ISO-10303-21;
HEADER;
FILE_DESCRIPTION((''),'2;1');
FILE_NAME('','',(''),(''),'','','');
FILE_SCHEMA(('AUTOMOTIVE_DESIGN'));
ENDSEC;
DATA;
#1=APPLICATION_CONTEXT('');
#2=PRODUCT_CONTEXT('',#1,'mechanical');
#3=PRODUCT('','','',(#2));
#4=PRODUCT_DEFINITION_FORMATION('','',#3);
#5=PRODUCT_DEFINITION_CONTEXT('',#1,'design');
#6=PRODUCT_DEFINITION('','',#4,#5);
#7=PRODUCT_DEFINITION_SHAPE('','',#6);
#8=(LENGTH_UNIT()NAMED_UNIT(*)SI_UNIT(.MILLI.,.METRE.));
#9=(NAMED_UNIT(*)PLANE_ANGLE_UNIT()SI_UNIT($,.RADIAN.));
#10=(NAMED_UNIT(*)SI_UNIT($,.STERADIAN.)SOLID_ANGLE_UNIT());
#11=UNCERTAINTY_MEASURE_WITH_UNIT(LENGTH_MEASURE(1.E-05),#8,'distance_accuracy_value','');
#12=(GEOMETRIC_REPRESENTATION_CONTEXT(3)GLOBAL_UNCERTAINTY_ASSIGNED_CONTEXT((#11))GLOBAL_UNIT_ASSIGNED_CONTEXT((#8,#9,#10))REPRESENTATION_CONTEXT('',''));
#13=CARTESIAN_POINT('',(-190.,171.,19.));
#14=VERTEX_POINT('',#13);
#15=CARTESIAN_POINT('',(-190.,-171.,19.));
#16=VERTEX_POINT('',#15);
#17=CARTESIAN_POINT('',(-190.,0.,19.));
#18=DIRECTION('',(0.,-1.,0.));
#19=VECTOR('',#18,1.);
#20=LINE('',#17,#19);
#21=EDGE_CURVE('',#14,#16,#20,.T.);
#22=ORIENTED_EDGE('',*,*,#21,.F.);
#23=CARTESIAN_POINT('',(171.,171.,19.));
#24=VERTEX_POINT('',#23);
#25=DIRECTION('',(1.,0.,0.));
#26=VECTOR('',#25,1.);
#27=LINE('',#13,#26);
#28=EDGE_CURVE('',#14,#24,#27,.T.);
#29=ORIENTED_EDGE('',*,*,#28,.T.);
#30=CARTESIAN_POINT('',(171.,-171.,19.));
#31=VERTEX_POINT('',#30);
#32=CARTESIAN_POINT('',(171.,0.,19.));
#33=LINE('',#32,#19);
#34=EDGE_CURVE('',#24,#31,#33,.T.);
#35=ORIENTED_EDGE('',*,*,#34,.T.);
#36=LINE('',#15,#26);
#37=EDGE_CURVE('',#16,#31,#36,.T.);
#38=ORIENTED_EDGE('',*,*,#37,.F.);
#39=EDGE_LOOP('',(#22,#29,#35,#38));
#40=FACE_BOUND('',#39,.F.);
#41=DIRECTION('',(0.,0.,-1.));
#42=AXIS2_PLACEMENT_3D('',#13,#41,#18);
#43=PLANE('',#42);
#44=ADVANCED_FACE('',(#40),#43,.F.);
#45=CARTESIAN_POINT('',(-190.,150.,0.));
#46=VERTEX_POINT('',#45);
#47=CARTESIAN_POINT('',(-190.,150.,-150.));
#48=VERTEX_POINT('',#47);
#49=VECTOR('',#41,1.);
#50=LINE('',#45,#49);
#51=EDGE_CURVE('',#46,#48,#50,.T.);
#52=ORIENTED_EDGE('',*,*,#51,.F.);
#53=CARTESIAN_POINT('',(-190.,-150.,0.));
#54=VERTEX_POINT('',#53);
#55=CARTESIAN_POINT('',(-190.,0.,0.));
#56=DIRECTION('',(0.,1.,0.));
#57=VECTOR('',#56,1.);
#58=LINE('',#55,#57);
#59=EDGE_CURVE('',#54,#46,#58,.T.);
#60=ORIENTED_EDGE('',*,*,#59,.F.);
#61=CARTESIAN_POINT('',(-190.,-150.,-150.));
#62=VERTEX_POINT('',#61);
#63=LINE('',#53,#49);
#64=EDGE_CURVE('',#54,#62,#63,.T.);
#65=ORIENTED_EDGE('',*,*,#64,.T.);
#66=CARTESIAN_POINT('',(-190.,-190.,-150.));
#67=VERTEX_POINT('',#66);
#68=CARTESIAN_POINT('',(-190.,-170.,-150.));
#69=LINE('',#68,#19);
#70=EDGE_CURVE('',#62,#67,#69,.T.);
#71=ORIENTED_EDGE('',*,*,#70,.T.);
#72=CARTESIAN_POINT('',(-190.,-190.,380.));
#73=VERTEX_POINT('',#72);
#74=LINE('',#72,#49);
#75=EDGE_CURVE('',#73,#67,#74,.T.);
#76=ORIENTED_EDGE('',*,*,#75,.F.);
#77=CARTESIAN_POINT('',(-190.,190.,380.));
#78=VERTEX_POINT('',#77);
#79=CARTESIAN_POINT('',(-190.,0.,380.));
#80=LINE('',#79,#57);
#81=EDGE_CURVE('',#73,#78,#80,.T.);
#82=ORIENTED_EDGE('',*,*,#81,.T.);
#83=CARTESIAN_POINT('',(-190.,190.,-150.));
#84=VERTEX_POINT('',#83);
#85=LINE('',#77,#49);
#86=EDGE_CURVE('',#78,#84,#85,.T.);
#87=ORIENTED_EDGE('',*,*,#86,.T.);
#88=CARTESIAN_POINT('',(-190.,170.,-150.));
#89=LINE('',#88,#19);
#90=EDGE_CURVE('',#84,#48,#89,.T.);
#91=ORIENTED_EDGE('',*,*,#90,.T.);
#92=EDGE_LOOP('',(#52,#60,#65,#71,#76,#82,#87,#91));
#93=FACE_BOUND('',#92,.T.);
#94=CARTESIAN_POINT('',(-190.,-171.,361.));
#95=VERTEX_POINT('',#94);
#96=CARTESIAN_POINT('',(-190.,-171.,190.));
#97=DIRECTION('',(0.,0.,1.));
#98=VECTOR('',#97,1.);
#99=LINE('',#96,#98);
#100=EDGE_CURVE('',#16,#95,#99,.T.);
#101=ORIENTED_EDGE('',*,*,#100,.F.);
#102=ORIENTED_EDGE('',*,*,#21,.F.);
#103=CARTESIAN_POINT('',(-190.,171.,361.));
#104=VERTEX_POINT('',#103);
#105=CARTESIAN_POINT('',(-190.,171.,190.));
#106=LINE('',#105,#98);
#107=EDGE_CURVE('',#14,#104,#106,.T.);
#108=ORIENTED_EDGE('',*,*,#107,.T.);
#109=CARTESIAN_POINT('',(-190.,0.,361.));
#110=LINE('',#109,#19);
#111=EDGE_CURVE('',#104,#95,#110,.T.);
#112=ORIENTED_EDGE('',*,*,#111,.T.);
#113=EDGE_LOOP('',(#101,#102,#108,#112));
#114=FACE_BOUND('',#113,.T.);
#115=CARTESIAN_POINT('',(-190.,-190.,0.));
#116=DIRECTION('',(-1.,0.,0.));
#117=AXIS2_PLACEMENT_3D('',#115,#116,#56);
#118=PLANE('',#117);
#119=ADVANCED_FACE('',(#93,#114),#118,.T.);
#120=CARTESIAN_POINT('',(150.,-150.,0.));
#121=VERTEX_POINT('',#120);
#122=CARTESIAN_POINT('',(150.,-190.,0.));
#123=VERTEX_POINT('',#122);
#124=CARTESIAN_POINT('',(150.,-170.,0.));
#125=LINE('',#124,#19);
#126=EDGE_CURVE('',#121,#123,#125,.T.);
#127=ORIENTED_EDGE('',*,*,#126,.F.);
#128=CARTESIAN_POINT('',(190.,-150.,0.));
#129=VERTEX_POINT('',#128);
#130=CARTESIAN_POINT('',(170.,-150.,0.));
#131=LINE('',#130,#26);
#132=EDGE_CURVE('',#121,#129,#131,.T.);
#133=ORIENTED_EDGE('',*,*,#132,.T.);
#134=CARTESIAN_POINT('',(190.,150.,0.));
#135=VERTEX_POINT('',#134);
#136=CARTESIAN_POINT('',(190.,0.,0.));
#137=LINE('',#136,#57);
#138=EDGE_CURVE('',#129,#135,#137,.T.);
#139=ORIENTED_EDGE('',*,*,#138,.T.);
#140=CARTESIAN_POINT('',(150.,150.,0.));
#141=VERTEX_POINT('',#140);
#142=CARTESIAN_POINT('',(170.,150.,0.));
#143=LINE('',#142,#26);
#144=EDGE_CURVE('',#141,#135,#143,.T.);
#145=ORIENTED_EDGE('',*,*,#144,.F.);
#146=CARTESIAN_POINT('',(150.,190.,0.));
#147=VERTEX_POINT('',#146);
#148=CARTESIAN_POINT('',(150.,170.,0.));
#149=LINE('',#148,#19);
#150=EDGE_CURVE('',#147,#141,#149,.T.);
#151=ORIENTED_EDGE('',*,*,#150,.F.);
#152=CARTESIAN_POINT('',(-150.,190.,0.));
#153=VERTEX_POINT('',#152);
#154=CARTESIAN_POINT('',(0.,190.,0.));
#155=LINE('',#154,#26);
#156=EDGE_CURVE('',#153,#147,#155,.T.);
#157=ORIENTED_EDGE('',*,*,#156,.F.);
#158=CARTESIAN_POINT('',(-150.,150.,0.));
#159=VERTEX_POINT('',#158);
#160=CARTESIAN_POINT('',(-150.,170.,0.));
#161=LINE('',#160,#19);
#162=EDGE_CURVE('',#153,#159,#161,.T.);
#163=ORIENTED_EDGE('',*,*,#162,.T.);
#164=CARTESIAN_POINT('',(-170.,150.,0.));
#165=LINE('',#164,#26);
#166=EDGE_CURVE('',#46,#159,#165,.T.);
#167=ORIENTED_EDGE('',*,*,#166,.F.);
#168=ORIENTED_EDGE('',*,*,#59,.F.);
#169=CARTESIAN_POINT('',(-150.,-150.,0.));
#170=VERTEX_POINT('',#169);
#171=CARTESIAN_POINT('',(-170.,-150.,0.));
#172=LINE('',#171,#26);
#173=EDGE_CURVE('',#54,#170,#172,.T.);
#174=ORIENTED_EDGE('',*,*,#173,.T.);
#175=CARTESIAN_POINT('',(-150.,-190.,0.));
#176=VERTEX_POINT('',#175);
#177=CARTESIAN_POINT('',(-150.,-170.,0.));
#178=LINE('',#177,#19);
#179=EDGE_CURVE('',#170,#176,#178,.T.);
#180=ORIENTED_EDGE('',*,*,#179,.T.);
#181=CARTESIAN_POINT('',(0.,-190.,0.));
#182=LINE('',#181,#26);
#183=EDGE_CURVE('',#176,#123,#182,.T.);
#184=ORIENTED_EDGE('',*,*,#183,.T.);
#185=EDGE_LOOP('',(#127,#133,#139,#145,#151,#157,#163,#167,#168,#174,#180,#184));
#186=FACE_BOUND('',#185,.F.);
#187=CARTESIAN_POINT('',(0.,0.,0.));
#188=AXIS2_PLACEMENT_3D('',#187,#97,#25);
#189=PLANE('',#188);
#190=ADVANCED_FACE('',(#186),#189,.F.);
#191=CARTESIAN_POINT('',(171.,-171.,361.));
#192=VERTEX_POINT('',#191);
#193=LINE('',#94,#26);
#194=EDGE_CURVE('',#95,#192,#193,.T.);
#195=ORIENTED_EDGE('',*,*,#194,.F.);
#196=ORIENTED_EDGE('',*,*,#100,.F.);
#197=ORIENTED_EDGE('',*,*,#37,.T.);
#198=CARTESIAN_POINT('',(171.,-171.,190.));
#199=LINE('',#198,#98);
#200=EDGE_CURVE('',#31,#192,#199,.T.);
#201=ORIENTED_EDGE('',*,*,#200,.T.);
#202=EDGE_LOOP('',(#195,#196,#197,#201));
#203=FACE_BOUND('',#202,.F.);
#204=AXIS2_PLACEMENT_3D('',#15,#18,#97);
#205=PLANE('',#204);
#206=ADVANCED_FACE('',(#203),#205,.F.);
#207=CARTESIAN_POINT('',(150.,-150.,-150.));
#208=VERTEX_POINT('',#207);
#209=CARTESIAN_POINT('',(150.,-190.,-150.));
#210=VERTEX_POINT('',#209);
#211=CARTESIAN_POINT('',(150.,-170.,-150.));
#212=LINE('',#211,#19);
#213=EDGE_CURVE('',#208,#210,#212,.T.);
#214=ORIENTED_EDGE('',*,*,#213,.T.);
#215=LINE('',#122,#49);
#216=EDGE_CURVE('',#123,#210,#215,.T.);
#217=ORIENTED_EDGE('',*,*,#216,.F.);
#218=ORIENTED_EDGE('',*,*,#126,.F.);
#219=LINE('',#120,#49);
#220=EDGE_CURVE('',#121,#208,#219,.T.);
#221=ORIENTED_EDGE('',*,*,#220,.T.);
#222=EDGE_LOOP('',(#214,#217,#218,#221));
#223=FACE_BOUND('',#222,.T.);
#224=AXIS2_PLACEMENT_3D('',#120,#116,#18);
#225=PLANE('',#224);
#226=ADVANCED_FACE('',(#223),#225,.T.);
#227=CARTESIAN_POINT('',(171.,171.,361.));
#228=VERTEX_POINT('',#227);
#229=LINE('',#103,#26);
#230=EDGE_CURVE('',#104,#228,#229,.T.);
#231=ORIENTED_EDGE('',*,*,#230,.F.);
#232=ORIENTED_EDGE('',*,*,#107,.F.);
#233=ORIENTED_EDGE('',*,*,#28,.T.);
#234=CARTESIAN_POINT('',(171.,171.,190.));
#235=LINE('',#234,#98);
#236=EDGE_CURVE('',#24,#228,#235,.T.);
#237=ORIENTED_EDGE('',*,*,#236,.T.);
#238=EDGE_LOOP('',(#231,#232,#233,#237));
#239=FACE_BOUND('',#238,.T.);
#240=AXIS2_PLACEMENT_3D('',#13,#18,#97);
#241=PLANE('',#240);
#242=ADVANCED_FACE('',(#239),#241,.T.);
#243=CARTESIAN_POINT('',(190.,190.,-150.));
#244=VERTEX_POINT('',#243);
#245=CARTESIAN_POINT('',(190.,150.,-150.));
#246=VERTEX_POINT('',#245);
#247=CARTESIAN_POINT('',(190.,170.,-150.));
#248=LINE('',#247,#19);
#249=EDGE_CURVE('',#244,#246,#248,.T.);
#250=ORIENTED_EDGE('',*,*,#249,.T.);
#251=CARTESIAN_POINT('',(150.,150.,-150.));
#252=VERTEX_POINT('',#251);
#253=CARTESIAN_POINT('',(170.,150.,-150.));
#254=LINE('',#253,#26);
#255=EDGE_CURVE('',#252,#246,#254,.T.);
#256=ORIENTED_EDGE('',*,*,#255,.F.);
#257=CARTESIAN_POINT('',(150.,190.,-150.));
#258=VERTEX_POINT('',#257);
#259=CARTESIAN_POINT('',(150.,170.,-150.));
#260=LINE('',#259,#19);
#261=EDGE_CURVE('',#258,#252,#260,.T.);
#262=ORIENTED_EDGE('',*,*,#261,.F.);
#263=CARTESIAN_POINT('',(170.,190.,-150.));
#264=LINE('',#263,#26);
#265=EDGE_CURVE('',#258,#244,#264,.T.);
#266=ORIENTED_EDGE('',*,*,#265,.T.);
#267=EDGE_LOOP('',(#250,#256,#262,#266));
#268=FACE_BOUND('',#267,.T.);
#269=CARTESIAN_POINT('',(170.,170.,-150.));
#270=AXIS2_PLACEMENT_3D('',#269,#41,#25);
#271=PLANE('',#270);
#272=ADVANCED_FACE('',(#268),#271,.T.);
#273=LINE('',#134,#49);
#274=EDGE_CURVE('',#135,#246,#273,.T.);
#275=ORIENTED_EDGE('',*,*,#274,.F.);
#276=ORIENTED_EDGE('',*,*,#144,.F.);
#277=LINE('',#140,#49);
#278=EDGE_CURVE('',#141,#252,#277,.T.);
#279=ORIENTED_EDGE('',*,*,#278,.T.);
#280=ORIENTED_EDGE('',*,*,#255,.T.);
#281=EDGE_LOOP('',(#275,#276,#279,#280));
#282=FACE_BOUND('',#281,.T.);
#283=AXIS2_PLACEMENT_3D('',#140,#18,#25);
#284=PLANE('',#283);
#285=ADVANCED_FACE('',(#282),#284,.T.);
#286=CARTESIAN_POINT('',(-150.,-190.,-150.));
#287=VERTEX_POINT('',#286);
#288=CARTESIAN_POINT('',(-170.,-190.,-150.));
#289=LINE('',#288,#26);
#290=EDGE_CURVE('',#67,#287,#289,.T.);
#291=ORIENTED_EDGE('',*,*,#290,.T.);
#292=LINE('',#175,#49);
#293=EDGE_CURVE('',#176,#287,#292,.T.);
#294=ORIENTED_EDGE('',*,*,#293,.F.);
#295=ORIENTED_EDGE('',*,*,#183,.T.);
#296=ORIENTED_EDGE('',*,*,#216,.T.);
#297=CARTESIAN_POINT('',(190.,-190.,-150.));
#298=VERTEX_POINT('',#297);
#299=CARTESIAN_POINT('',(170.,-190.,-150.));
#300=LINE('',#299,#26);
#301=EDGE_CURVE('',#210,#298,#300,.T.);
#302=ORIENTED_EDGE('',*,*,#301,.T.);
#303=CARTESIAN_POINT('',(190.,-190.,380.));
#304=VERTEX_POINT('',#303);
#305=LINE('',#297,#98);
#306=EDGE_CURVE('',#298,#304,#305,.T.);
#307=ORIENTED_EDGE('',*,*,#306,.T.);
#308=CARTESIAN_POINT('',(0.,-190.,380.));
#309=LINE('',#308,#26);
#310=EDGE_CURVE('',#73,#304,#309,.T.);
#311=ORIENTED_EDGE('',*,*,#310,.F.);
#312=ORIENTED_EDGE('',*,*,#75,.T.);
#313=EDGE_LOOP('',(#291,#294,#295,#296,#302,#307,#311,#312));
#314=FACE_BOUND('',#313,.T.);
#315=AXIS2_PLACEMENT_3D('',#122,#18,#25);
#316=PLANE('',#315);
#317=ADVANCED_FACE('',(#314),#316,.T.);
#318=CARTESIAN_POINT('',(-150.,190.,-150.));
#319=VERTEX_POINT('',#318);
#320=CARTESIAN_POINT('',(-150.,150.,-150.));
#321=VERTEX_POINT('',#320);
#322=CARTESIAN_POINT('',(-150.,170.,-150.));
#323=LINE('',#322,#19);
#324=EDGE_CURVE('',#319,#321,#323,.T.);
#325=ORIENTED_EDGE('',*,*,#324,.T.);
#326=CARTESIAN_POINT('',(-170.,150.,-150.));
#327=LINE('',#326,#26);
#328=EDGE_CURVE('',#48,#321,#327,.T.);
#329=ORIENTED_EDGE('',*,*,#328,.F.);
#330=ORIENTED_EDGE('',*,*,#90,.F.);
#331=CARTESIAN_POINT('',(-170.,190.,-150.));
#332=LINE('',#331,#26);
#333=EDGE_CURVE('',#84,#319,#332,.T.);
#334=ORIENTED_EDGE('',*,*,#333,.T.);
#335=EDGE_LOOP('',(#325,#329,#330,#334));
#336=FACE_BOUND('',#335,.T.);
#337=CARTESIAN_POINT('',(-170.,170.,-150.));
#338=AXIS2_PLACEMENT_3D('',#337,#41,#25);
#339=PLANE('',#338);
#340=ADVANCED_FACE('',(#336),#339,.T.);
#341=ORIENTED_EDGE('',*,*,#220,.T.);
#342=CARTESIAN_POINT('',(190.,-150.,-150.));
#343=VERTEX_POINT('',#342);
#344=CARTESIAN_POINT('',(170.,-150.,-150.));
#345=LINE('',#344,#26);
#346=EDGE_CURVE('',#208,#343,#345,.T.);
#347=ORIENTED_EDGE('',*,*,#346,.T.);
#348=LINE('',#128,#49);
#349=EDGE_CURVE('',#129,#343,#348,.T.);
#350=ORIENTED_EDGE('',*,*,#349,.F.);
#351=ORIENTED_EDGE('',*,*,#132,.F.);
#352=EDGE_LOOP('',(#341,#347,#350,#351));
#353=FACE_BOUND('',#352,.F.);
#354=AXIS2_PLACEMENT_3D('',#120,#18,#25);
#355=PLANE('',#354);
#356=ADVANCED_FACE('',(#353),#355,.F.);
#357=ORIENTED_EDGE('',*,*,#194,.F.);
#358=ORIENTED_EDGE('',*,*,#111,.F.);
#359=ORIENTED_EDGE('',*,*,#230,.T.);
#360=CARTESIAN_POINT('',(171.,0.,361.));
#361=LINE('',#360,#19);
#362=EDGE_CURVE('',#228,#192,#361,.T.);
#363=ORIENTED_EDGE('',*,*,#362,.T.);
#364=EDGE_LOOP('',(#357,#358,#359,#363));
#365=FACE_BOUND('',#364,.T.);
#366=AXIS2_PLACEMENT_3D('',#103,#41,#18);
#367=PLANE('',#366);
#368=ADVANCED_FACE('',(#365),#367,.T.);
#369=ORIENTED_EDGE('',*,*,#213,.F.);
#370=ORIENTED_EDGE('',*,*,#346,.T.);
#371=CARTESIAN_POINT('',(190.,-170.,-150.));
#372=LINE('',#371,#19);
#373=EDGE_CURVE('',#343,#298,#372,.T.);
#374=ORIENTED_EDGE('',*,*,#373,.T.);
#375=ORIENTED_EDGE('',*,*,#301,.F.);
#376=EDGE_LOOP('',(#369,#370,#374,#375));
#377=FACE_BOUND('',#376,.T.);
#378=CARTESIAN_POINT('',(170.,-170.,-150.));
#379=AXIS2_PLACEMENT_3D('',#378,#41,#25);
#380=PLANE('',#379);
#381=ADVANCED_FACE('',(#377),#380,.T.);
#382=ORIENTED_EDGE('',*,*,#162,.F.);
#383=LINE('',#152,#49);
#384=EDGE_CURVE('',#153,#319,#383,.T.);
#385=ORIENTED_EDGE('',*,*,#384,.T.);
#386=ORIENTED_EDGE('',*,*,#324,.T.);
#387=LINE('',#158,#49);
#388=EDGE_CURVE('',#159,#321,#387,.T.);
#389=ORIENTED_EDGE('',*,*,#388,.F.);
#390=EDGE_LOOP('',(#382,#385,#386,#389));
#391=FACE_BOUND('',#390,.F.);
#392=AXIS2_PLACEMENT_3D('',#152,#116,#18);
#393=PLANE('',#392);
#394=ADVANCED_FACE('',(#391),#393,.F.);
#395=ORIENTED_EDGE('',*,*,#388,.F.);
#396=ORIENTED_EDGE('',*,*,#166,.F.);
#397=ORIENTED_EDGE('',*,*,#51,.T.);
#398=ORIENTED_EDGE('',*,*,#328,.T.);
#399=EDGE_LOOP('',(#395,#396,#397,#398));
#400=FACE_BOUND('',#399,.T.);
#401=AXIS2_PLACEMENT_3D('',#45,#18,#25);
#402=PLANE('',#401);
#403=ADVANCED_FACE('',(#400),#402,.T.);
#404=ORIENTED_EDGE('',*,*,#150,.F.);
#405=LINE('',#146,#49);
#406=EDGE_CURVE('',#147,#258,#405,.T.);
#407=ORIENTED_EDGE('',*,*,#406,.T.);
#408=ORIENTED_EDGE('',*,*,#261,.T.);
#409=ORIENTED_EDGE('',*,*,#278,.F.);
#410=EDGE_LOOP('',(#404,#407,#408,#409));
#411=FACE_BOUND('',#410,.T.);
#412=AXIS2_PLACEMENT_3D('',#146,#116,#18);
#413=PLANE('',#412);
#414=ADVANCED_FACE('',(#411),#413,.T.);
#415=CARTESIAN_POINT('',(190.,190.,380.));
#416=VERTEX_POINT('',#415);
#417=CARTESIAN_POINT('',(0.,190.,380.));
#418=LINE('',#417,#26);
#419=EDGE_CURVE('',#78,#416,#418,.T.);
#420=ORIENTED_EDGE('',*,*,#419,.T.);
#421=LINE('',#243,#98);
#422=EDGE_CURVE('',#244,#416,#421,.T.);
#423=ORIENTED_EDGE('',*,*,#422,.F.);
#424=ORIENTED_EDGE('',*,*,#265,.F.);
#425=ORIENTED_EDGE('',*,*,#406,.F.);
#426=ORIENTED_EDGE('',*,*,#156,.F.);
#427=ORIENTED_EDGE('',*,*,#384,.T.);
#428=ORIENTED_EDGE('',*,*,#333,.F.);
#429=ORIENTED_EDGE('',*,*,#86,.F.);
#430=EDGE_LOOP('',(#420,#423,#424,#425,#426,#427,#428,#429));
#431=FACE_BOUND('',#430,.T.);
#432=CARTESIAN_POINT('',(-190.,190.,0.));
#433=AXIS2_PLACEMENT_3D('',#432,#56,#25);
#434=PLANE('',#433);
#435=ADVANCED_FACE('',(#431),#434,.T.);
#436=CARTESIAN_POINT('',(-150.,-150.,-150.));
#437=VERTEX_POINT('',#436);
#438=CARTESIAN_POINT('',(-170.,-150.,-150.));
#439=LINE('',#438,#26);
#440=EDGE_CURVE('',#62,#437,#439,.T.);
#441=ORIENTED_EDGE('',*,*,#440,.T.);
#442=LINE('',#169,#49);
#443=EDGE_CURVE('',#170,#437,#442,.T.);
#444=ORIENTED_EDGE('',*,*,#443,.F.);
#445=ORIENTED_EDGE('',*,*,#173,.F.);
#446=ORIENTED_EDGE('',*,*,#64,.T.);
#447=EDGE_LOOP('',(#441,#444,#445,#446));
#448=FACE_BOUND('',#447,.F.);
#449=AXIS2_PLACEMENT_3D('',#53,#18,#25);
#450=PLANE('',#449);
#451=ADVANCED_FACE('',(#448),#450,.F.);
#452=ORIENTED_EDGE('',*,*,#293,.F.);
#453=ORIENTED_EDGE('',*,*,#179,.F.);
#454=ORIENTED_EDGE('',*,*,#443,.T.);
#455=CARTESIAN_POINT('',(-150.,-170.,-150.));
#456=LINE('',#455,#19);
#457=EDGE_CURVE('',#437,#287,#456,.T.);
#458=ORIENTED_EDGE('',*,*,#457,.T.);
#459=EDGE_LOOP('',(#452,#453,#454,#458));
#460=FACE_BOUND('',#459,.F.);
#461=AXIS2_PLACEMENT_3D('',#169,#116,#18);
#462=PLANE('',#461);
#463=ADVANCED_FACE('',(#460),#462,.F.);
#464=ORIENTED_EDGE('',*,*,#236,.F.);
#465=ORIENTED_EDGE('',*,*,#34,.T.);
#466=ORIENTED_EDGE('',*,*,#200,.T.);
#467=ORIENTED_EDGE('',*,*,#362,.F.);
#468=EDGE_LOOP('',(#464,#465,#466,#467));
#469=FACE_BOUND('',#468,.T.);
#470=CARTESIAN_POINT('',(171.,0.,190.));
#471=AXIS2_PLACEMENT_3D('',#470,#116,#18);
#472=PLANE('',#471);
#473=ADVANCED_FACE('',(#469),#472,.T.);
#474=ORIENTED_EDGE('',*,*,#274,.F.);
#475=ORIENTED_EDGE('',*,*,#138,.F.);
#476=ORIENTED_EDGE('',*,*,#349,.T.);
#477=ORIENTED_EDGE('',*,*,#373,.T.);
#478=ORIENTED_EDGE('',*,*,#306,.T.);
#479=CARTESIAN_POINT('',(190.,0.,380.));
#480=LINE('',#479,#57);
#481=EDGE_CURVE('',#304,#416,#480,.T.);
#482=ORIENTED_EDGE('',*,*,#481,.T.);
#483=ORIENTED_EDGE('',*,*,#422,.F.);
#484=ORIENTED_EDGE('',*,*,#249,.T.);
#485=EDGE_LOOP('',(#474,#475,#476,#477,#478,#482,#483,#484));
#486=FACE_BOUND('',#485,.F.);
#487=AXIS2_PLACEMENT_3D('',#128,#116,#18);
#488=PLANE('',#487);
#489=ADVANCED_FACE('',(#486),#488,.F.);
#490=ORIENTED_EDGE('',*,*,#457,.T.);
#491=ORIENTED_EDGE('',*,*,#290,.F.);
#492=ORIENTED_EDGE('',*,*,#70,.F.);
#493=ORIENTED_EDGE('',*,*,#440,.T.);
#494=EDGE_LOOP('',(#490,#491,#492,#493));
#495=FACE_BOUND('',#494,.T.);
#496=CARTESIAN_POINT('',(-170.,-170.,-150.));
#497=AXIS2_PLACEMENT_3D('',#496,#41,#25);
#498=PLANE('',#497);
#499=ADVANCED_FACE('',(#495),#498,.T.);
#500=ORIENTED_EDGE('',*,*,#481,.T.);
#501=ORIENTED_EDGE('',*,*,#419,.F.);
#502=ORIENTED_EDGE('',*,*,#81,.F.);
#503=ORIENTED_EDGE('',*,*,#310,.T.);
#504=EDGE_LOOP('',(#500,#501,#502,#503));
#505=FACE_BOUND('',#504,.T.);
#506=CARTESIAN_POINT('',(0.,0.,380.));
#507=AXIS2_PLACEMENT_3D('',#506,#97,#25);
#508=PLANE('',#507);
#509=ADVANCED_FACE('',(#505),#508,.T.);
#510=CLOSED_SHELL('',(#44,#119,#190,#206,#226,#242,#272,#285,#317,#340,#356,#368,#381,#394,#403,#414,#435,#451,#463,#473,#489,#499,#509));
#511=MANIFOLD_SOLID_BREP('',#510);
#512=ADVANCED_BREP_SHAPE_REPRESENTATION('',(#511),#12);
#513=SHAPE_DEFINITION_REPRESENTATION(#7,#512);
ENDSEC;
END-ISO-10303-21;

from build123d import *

# Parameters (mm, degrees)
F0_W     = 380
F0_H     = 380
F1_DEPTH = 380
F2_W     = 342
F2_H     = 342
F3_DEPTH = 361
F4_W     = 40
F4_H     = 40
F5_DEPTH = 150


with BuildPart() as f1:
    # F0 (on Top) → F1 (new body)
    with BuildSketch(Plane.XY):
        Rectangle(F0_W, F0_H)
    extrude(amount=F1_DEPTH)

    # F2 (on face) → F3 (cut)
    with BuildSketch(Plane(origin=(-190, 0, 0), x_dir=(0, -1, 0), z_dir=(-1, 0, 0))):
        with Locations((0, 190)):
            Rectangle(F2_W, F2_H)
    extrude(amount=-F3_DEPTH, mode=Mode.SUBTRACT)

    # F4 (on face) → F5 (join)
    with BuildSketch(Plane(origin=(0, 0, 0), x_dir=(1, 0, 0), z_dir=(0, 0, -1))):
        with Locations((170, 170)):
            Rectangle(F4_W, F4_H)
        with Locations((-170, 170)):
            Rectangle(F4_W, F4_H)
        with Locations((-170, -170)):
            Rectangle(F4_W, F4_H)
        with Locations((170, -170)):
            Rectangle(F4_W, F4_H)
    extrude(amount=F5_DEPTH)


solid = f1.part
